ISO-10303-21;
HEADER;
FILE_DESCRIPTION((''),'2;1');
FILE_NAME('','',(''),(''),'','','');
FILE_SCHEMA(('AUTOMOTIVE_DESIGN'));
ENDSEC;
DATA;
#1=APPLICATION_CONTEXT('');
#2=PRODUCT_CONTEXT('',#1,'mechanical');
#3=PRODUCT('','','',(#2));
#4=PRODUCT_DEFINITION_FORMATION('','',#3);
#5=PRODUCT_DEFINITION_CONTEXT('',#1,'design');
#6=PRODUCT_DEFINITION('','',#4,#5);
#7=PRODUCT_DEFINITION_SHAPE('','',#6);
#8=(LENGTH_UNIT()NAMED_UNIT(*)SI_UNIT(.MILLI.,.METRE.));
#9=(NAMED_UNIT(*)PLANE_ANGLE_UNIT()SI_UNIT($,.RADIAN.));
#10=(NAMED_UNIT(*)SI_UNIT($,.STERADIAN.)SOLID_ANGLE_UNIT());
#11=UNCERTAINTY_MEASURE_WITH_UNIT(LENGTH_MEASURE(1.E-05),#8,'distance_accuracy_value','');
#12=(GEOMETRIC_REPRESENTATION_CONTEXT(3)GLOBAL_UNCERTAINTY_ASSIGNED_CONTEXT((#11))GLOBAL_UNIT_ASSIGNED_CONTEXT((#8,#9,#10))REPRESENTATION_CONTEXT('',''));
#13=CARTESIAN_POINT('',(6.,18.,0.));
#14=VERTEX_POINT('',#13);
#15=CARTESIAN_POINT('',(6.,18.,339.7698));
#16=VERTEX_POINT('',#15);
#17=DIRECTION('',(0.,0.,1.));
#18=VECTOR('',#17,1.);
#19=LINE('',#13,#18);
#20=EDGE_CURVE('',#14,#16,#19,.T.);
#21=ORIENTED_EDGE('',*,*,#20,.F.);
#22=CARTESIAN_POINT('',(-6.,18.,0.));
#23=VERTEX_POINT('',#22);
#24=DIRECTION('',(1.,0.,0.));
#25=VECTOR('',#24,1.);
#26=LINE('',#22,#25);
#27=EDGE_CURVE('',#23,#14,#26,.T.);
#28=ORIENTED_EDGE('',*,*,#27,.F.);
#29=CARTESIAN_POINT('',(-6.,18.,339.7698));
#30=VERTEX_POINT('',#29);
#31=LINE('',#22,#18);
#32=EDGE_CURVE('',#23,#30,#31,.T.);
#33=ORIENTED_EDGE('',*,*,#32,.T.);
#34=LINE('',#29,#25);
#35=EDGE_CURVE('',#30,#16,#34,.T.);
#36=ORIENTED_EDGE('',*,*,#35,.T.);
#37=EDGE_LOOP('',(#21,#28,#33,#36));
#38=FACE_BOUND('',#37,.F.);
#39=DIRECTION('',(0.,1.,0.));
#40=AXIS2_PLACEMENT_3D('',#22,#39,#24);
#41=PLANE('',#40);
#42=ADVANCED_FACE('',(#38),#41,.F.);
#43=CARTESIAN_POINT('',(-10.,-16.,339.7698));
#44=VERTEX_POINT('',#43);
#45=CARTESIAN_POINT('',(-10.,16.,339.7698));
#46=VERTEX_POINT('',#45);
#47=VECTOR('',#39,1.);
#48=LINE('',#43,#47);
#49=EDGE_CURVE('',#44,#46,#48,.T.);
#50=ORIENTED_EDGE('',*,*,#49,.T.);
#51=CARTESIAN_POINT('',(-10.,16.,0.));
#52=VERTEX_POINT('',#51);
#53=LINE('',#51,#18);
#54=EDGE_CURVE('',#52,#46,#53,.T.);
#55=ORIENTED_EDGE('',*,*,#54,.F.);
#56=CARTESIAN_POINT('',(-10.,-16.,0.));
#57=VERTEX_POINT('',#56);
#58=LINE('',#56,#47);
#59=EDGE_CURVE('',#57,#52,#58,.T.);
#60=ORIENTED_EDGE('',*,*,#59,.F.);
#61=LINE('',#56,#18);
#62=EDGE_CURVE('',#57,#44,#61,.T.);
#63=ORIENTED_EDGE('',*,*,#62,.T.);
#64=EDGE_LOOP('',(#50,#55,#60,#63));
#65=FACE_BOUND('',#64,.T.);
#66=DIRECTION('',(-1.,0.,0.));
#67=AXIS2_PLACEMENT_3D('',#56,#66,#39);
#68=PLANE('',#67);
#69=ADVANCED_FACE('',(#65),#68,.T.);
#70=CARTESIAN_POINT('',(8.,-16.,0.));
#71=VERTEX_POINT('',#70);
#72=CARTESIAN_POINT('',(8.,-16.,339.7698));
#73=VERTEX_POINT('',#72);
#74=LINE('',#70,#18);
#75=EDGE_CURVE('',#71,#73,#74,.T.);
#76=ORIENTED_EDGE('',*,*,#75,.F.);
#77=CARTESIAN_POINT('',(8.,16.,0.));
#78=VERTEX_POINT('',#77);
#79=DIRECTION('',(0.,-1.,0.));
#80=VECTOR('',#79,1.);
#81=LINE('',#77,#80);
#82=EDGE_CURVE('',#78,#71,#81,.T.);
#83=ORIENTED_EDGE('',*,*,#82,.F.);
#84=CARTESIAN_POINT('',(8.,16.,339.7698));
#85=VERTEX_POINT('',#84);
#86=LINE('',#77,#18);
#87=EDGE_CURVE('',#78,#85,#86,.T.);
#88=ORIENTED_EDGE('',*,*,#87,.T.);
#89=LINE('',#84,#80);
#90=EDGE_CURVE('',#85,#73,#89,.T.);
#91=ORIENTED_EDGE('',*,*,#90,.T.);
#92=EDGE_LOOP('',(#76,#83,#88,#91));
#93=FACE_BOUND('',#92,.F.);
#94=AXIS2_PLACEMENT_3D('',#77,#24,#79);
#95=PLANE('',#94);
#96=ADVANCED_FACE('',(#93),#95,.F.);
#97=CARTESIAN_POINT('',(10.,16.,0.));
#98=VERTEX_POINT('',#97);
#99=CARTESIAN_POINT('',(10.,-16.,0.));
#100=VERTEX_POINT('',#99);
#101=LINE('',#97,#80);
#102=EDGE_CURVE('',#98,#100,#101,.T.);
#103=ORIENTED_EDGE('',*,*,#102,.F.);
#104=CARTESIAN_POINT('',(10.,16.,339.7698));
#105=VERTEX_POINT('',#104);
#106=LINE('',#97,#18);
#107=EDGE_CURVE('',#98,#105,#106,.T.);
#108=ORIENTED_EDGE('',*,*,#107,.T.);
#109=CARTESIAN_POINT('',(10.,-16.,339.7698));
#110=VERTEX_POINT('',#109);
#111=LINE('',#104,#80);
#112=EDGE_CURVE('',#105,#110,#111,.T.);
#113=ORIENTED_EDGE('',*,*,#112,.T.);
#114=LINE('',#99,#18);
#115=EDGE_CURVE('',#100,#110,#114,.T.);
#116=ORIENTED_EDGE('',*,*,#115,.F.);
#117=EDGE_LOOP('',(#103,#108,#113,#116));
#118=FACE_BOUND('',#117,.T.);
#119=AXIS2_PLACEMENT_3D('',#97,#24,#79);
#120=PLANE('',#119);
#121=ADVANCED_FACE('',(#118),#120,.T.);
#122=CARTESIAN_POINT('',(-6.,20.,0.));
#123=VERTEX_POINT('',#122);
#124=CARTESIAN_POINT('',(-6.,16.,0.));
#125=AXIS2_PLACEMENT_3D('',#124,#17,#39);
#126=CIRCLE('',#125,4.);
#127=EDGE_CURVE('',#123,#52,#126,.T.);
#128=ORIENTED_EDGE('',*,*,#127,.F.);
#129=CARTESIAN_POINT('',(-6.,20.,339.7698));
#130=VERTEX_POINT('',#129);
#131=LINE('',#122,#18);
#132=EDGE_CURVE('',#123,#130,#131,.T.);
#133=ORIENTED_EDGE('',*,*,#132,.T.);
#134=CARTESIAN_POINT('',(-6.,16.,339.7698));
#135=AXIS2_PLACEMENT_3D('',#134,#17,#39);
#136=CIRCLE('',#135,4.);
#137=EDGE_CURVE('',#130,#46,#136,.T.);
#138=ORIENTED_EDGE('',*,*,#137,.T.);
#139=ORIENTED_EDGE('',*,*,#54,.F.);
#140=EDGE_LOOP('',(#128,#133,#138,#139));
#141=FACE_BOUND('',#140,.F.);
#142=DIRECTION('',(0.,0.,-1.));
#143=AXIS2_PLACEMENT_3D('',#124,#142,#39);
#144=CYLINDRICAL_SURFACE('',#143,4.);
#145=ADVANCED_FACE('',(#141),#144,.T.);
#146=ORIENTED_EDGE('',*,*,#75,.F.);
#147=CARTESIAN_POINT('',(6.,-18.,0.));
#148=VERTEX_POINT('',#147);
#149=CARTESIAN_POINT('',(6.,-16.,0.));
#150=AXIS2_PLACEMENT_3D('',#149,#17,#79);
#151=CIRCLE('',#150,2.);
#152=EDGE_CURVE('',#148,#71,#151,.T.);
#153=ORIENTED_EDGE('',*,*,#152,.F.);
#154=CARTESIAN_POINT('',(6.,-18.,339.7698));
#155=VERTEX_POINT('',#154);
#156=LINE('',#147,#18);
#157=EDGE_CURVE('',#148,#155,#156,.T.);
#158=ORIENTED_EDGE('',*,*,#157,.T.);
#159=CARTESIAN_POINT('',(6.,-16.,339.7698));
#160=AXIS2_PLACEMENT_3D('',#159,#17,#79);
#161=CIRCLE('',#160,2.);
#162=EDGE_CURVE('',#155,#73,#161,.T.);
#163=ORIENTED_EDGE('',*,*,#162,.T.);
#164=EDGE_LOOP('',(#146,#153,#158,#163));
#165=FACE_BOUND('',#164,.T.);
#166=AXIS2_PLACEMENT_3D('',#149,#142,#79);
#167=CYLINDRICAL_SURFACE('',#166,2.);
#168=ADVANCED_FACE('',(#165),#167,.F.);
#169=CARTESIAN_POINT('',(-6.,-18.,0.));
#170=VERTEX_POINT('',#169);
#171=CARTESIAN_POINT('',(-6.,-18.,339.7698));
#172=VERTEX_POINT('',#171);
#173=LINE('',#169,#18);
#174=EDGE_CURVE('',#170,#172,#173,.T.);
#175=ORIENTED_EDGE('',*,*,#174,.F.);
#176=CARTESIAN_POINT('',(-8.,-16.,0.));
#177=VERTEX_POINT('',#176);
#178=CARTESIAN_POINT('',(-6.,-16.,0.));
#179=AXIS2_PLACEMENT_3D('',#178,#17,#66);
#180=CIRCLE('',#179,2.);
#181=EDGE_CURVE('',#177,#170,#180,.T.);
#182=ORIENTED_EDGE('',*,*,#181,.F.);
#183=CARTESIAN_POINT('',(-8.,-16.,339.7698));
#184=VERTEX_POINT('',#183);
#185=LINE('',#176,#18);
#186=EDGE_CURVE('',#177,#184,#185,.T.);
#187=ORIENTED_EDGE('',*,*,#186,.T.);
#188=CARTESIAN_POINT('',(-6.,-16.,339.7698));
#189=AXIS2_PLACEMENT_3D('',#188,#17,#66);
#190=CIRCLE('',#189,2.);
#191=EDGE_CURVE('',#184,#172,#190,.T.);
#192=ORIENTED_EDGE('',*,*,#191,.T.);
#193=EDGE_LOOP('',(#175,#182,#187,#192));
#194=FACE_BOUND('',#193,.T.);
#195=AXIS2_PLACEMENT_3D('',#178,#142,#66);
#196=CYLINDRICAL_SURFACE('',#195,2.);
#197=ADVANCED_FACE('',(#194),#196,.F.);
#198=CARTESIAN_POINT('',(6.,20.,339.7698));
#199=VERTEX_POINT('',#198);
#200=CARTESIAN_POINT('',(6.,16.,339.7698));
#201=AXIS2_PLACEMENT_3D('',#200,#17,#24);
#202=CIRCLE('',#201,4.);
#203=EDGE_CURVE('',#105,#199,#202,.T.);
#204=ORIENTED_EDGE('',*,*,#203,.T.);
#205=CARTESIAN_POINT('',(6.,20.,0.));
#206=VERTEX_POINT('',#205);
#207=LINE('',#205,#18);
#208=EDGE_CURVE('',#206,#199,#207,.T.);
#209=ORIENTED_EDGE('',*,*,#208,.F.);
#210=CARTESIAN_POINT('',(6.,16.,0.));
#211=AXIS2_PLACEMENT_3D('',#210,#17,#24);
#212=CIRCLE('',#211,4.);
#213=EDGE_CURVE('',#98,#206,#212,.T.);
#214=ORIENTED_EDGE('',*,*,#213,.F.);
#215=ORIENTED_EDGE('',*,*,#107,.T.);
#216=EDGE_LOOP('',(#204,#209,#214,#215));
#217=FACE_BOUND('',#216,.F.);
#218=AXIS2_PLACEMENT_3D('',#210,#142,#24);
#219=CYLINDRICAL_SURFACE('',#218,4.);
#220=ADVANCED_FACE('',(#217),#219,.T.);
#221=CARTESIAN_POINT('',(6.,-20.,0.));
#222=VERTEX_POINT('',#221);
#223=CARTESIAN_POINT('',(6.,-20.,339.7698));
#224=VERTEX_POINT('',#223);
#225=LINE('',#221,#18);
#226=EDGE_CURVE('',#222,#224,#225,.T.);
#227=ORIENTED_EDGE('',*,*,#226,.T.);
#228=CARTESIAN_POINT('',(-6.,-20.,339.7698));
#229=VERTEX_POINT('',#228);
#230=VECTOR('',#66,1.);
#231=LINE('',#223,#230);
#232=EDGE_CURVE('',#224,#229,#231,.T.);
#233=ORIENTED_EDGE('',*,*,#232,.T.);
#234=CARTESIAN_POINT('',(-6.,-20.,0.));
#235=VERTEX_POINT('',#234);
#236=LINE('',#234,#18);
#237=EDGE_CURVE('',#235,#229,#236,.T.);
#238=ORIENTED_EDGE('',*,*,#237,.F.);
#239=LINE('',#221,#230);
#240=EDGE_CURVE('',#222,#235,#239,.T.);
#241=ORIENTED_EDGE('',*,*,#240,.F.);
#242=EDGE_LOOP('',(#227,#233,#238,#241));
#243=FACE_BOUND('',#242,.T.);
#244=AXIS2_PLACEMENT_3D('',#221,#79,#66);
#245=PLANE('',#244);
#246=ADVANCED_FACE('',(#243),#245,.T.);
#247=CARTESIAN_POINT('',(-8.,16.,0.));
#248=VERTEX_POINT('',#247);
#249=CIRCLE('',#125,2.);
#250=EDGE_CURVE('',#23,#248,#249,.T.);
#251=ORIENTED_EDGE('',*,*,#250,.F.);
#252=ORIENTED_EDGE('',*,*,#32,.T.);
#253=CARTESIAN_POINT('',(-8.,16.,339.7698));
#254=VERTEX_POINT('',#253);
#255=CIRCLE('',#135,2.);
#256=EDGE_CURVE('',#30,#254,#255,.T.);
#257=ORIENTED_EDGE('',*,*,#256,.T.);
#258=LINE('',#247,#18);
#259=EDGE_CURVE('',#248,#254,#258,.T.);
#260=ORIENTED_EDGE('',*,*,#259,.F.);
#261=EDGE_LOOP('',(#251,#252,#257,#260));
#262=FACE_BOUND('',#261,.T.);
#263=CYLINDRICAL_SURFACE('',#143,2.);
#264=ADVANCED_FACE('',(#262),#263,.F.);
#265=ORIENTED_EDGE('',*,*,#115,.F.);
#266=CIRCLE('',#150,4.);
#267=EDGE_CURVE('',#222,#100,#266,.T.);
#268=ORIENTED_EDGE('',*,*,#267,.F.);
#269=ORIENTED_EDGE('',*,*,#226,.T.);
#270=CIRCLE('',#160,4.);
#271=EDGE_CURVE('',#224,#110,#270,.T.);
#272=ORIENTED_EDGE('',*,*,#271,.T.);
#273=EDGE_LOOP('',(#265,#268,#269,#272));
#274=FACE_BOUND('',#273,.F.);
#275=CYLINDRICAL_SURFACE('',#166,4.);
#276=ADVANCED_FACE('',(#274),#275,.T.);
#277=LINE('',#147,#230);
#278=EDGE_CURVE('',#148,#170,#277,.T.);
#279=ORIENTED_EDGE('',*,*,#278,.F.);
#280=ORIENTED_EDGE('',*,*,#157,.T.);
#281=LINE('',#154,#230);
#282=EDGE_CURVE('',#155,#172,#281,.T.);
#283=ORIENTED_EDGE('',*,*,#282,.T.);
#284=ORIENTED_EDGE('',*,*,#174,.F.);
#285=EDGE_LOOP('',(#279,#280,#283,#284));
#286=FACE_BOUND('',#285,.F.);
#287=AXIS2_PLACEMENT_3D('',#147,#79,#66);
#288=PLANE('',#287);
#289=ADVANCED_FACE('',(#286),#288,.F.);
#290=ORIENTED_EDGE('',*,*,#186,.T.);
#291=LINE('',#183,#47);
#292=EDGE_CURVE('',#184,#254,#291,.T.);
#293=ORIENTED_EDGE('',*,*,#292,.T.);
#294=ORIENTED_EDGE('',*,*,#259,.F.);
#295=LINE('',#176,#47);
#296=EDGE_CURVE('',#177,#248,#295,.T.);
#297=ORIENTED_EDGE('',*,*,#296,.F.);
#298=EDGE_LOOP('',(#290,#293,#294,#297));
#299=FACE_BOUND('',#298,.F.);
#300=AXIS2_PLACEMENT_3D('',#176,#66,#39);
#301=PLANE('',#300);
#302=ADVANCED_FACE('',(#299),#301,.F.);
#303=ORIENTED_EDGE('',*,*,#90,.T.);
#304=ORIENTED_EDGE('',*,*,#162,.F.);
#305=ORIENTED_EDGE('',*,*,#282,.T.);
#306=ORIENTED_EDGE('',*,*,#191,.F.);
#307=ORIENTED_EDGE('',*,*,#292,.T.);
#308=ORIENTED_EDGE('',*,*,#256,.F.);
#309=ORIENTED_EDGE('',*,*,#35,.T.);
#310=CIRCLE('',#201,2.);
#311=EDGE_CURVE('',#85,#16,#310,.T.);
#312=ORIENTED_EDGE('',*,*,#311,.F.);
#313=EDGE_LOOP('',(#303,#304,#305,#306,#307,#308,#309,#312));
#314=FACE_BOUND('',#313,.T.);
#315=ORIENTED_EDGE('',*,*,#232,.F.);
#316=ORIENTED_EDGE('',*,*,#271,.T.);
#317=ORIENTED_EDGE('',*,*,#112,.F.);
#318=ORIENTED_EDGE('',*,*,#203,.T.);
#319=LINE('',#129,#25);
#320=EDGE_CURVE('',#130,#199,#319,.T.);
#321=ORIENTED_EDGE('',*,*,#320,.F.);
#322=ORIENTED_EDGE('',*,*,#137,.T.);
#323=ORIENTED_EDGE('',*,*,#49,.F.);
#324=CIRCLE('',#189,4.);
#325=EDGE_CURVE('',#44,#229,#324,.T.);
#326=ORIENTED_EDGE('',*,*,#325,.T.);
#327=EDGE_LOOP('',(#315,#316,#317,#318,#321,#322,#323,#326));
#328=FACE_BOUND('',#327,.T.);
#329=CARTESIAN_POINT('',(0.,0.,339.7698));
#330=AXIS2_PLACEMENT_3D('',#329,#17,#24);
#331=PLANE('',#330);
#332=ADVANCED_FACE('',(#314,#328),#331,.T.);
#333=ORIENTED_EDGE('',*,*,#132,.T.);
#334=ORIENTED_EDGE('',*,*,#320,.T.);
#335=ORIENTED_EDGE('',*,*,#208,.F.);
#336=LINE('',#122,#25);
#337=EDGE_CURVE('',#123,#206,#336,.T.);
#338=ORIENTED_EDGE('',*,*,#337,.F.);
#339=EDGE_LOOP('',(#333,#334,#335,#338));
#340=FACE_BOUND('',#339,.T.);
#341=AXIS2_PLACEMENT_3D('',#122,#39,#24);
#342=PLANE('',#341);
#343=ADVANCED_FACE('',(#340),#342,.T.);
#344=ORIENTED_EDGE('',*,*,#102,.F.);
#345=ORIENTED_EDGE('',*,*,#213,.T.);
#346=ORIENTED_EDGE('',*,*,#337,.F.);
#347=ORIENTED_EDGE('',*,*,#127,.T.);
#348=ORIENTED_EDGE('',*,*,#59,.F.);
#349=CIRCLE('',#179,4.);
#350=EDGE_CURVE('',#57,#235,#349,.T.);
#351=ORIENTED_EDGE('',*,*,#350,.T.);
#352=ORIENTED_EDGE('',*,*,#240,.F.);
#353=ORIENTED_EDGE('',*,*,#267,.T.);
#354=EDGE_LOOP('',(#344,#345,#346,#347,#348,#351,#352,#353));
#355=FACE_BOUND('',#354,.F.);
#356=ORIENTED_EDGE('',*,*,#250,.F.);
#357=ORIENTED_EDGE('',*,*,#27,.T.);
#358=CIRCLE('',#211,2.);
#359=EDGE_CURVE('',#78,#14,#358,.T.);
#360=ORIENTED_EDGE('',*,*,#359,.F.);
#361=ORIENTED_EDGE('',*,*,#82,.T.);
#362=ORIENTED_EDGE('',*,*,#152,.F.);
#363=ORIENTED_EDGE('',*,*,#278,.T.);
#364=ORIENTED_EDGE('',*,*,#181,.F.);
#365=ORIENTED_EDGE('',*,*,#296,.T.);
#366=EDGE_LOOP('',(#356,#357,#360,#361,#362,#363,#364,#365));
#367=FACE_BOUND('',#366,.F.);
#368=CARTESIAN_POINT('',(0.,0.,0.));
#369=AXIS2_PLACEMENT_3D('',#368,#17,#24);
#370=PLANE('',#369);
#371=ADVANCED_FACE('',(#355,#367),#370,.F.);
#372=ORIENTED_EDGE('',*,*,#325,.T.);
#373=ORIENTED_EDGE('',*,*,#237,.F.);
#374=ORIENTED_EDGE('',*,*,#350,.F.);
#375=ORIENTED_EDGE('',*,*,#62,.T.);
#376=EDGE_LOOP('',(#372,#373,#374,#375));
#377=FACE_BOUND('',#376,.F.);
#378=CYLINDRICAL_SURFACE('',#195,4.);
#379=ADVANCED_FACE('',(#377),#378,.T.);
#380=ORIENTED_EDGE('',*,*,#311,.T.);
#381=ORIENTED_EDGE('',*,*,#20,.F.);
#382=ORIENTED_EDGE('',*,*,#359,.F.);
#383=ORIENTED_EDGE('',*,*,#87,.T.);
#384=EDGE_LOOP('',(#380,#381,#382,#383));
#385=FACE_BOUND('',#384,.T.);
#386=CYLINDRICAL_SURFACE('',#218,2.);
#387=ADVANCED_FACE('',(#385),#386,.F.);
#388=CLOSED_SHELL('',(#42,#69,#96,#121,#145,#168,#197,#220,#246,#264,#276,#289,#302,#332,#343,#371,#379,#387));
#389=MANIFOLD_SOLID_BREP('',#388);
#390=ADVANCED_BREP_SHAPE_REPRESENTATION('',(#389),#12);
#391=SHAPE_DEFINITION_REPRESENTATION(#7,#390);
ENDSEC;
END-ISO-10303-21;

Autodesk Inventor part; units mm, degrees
ref_plane "YZ Plane" through (0, 0, 0) normal (1, 0, 0) x (0, 1, 0)
ref_plane "Start Plane" through (0, 0, 0) normal (0, 0, 1) x (1, 0, 0)
ref_plane "End Plane" through (0, 0, 339.7698) normal (0, 0, 1) x (1, 0, 0)
sketch "Sketch" plane through (0, 0, 0) normal (0, 0, 1) x (1, 0, 0)
  line L0 (-10, -16) -> (-10, 16)
  line L1 (-6, 20) -> (6, 20)
  line L2 (10, 16) -> (10, -16)
  line L3 (6, -20) -> (-6, -20)
  arc A0 (-10, -16) -> (-6, -20) centre (-6, -16) ccw
  arc A1 (10, 16) -> (6, 20) centre (6, 16) ccw
  arc A2 (-6, 20) -> (-10, 16) centre (-6, 16) ccw
  arc A3 (6, -20) -> (10, -16) centre (6, -16) ccw
  arc A4 (-6, 18) -> (-8, 16) centre (-6, 16) ccw
  line L4 (-6, 18) -> (6, 18)
  arc A5 (8, 16) -> (6, 18) centre (6, 16) ccw
  line L5 (8, 16) -> (8, -16)
  arc A6 (6, -18) -> (8, -16) centre (6, -16) ccw
  line L6 (6, -18) -> (-6, -18)
  arc A7 (-8, -16) -> (-6, -18) centre (-6, -16) ccw
  line L7 (-8, -16) -> (-8, 16)
  line L8 (0, 29.1598) -> (0, -29.1598) construction
  line L9 (-15.1598, 0) -> (15.1598, 0) construction
  dimension "d7" = 4
  dimension "d9" = 20
  dimension "d11" = 40
  dimension "d12" = 2
  dimension "d15" = 10
  dimension "d16" = 20
extrude "Body" add sketch "Sketch" along normal up to surface (339.7698 mm away) from surface at 0
sketch "Sketch3" plane through (0, 0, 0) normal (0, 0, 1) x (1, 0, 0)
  line L0 (0, 0) -> (10, 0)
ref_plane "Work Plane3" through (0, 0, 0) normal (0, -1, 0) x (1, 0, 0)
sketch "Sketch4" plane through (0, 0, 0) normal (0, -1, 0) x (1, 0, 0)
  line L0 (-2, 0) -> (12, 0)
  line L1 (-2, 339.7698) -> (12, 339.7698)
  dimension "d18" = 339.7698
equation "\"d7\" = G_IR"
equation "\"d9\" = G_W"
equation "\"d11\" = G_H"
equation "\"d12\" = G_T"
equation "\"d15\" = 0.5 * d9"
equation "\"d16\" = 0.5 * d11"
equation "\"d3\" = G_L"
equation "\"G_W\" = 20"
equation "\"G_H\" = 40"
equation "\"G_T\" = 2"
equation "\"G_IR\" = 4"
equation "\"G_L\" = d18"
equation "\"G_OFFSET_START\" = 0"
equation "\"G_OFFSET_END\" = 0"
equation "\"d14\" = G_OFFSET_END + B_L"
equation "\"B_L\" = 339.76983"
properties part number "ISO 10799-2 - 40x20x2 - 339.77" material "Steel, Mild"
